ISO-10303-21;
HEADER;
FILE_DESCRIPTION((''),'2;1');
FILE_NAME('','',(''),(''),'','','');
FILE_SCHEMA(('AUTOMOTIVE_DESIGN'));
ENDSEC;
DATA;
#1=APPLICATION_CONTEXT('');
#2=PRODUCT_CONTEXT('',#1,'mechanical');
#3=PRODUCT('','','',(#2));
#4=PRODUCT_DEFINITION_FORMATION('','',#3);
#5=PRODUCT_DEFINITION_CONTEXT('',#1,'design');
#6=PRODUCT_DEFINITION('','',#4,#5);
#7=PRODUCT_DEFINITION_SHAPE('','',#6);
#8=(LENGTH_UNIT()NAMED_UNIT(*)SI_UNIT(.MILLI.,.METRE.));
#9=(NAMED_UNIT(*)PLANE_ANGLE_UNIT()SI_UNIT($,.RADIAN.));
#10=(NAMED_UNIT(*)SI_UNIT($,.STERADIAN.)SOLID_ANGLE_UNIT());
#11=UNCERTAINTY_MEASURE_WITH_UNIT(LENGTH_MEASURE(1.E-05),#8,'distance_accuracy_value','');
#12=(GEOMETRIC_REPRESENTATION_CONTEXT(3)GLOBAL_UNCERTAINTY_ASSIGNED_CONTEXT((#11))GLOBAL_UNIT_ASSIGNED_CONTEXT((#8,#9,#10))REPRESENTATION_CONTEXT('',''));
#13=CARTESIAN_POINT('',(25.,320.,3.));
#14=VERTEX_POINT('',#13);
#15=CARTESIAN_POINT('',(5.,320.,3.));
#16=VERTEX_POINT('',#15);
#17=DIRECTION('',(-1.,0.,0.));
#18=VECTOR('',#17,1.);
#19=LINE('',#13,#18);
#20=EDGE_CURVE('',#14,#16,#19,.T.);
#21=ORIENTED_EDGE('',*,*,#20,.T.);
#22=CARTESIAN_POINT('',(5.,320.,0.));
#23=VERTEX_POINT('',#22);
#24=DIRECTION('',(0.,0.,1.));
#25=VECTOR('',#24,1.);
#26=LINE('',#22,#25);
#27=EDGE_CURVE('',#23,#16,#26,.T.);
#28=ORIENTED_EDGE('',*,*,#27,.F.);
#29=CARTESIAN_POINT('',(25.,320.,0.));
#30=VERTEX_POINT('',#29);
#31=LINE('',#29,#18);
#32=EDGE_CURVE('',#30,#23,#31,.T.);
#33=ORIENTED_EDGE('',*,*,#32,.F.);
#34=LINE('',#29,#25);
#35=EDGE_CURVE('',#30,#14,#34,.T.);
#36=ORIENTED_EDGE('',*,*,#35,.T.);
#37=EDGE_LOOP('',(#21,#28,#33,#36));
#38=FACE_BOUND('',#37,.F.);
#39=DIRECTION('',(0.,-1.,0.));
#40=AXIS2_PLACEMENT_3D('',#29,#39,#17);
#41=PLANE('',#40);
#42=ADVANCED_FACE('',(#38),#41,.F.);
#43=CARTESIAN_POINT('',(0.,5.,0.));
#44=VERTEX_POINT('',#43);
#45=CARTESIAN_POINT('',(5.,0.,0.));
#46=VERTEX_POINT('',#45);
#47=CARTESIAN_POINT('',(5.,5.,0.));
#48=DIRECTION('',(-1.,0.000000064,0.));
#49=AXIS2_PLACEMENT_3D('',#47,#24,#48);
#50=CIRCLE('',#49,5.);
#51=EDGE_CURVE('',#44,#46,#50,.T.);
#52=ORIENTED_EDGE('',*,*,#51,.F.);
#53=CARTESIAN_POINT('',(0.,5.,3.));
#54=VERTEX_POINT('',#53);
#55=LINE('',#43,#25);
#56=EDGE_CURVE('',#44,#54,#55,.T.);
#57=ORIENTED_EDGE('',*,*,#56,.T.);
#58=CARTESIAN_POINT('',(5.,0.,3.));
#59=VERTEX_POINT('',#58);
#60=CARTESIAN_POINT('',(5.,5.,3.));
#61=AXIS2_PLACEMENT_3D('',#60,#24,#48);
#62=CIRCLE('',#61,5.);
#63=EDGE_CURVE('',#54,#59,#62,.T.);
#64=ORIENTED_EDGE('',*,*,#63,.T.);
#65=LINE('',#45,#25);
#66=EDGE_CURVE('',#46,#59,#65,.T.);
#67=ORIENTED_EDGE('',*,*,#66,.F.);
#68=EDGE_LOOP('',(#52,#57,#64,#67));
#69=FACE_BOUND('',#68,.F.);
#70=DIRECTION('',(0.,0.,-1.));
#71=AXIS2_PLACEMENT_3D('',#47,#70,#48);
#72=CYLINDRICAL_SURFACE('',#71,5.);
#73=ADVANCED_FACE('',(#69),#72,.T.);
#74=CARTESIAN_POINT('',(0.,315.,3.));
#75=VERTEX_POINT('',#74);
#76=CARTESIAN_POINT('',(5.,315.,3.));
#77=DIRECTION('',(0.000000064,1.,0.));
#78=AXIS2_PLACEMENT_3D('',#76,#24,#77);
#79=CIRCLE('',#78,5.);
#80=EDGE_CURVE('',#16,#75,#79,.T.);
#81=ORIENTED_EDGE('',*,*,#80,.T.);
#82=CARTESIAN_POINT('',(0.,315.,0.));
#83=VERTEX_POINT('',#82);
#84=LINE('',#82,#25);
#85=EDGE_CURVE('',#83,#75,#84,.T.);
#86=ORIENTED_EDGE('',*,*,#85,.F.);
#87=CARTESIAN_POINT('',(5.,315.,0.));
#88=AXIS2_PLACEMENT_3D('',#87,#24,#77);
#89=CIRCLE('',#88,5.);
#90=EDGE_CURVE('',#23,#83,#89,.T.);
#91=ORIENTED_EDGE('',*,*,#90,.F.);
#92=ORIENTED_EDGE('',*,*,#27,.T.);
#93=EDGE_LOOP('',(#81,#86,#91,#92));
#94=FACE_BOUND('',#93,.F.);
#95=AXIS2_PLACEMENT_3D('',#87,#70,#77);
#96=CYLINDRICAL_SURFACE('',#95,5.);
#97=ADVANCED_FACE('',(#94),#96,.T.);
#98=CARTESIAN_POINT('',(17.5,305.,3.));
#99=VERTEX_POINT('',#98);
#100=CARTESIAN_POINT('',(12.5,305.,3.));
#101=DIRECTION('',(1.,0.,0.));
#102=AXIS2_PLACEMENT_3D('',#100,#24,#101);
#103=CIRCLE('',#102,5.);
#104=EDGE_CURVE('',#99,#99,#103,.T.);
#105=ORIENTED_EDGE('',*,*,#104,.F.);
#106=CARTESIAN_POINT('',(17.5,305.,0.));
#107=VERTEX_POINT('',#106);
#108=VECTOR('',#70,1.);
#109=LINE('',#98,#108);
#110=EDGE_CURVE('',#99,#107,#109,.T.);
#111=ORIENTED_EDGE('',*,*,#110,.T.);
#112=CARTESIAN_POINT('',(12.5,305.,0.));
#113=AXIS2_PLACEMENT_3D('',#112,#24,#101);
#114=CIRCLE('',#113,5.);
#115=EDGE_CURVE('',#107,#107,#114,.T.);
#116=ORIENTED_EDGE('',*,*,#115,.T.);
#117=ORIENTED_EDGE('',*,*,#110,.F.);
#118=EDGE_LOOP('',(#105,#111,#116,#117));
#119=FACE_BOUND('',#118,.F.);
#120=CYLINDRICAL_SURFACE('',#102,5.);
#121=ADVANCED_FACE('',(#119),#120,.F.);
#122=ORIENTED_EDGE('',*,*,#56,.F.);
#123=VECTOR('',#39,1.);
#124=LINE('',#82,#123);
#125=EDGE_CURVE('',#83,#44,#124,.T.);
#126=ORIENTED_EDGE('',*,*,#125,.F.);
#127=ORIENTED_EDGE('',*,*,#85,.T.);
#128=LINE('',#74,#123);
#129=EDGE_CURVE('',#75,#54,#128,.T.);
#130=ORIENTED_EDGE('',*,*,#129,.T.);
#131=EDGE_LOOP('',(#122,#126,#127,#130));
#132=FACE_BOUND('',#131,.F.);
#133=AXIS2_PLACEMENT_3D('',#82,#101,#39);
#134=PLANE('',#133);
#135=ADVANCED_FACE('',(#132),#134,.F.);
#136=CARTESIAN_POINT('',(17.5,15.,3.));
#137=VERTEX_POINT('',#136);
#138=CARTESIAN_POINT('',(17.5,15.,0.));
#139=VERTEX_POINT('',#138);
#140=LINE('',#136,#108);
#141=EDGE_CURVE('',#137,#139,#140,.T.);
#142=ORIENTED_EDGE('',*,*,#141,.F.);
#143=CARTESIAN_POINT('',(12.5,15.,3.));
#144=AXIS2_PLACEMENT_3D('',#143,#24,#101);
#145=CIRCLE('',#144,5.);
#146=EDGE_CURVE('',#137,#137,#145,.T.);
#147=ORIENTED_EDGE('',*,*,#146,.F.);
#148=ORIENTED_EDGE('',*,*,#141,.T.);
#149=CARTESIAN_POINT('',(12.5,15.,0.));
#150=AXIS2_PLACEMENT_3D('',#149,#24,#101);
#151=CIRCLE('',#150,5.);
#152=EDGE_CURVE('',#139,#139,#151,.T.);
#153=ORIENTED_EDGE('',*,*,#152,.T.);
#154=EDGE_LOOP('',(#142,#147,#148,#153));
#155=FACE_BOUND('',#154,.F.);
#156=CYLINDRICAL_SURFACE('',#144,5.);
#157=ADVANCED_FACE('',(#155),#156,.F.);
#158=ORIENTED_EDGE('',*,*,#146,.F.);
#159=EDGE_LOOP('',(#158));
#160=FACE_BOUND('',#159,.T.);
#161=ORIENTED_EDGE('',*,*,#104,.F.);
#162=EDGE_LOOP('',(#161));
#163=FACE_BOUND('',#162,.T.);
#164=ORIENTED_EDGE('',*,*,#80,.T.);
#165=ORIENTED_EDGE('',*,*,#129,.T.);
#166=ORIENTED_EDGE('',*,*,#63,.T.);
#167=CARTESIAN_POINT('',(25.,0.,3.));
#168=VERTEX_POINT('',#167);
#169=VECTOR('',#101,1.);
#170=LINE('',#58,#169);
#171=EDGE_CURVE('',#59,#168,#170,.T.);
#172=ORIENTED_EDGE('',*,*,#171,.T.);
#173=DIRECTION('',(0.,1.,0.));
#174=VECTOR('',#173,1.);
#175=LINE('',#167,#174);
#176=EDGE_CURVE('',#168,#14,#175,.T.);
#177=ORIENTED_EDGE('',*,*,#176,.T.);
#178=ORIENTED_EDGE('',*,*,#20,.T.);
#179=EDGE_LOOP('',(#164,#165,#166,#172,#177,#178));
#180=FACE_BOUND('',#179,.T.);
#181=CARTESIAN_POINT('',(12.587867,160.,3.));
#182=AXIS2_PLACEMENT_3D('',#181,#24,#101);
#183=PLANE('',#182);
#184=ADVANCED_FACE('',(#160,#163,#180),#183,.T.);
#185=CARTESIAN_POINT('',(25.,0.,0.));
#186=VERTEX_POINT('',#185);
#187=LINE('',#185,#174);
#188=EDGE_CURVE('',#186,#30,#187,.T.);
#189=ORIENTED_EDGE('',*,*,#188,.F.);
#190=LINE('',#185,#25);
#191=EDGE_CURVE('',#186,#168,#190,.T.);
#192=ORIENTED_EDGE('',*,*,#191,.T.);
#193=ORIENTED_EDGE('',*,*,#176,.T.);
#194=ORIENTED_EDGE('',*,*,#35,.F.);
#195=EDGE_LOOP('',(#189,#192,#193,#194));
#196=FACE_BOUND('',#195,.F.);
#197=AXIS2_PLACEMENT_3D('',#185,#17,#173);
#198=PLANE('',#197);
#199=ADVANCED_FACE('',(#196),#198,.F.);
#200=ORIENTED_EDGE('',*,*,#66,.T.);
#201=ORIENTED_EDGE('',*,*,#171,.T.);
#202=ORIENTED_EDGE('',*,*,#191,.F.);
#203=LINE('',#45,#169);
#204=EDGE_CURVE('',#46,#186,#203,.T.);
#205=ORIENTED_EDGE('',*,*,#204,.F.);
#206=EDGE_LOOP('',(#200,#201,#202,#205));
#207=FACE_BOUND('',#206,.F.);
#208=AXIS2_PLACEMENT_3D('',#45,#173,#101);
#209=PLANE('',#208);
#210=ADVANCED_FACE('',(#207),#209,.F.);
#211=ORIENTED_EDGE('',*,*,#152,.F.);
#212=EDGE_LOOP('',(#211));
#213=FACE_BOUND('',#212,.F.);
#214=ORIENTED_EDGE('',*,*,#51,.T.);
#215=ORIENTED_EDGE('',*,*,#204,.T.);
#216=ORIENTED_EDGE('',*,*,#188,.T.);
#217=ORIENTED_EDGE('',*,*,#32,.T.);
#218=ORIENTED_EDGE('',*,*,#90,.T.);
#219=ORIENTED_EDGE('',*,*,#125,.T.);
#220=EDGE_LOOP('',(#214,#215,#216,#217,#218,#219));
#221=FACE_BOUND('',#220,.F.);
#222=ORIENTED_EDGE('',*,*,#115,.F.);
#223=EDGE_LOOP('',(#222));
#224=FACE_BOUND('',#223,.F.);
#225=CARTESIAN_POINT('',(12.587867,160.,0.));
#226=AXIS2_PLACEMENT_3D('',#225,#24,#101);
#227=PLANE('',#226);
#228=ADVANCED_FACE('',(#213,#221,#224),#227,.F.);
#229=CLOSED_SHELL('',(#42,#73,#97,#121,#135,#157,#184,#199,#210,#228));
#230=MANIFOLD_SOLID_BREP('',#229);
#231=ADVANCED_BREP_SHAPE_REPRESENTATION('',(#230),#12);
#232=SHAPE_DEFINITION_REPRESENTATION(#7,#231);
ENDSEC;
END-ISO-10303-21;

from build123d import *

# Parameters (mm, degrees)
F1_DEPTH = 3
F2_R     = 5
F3_DEPTH = 3


with BuildPart() as f1:
    # F0 (on Top) → F1 (new body)
    with BuildSketch(Plane.XY):
        with BuildLine():
            ThreePointArc((0, 5), (1.464466, 1.464466), (5, 0))
            Line((5, 0), (25, 0))
            Line((25, 0), (25, 320))
            Line((25, 320), (5, 320))
            ThreePointArc((5, 320), (1.464466, 318.535534), (0, 315))
            Line((0, 315), (0, 5))
        make_face()
    extrude(amount=F1_DEPTH)

    # F2 (on face) → F3 (cut, through all)
    with BuildSketch(Plane.XY.offset(3)):
        with Locations((12.5, 305)):
            Circle(F2_R)
        with Locations((12.5, 15)):
            Circle(F2_R)
    extrude(amount=-F3_DEPTH, mode=Mode.SUBTRACT)


solid = f1.part
